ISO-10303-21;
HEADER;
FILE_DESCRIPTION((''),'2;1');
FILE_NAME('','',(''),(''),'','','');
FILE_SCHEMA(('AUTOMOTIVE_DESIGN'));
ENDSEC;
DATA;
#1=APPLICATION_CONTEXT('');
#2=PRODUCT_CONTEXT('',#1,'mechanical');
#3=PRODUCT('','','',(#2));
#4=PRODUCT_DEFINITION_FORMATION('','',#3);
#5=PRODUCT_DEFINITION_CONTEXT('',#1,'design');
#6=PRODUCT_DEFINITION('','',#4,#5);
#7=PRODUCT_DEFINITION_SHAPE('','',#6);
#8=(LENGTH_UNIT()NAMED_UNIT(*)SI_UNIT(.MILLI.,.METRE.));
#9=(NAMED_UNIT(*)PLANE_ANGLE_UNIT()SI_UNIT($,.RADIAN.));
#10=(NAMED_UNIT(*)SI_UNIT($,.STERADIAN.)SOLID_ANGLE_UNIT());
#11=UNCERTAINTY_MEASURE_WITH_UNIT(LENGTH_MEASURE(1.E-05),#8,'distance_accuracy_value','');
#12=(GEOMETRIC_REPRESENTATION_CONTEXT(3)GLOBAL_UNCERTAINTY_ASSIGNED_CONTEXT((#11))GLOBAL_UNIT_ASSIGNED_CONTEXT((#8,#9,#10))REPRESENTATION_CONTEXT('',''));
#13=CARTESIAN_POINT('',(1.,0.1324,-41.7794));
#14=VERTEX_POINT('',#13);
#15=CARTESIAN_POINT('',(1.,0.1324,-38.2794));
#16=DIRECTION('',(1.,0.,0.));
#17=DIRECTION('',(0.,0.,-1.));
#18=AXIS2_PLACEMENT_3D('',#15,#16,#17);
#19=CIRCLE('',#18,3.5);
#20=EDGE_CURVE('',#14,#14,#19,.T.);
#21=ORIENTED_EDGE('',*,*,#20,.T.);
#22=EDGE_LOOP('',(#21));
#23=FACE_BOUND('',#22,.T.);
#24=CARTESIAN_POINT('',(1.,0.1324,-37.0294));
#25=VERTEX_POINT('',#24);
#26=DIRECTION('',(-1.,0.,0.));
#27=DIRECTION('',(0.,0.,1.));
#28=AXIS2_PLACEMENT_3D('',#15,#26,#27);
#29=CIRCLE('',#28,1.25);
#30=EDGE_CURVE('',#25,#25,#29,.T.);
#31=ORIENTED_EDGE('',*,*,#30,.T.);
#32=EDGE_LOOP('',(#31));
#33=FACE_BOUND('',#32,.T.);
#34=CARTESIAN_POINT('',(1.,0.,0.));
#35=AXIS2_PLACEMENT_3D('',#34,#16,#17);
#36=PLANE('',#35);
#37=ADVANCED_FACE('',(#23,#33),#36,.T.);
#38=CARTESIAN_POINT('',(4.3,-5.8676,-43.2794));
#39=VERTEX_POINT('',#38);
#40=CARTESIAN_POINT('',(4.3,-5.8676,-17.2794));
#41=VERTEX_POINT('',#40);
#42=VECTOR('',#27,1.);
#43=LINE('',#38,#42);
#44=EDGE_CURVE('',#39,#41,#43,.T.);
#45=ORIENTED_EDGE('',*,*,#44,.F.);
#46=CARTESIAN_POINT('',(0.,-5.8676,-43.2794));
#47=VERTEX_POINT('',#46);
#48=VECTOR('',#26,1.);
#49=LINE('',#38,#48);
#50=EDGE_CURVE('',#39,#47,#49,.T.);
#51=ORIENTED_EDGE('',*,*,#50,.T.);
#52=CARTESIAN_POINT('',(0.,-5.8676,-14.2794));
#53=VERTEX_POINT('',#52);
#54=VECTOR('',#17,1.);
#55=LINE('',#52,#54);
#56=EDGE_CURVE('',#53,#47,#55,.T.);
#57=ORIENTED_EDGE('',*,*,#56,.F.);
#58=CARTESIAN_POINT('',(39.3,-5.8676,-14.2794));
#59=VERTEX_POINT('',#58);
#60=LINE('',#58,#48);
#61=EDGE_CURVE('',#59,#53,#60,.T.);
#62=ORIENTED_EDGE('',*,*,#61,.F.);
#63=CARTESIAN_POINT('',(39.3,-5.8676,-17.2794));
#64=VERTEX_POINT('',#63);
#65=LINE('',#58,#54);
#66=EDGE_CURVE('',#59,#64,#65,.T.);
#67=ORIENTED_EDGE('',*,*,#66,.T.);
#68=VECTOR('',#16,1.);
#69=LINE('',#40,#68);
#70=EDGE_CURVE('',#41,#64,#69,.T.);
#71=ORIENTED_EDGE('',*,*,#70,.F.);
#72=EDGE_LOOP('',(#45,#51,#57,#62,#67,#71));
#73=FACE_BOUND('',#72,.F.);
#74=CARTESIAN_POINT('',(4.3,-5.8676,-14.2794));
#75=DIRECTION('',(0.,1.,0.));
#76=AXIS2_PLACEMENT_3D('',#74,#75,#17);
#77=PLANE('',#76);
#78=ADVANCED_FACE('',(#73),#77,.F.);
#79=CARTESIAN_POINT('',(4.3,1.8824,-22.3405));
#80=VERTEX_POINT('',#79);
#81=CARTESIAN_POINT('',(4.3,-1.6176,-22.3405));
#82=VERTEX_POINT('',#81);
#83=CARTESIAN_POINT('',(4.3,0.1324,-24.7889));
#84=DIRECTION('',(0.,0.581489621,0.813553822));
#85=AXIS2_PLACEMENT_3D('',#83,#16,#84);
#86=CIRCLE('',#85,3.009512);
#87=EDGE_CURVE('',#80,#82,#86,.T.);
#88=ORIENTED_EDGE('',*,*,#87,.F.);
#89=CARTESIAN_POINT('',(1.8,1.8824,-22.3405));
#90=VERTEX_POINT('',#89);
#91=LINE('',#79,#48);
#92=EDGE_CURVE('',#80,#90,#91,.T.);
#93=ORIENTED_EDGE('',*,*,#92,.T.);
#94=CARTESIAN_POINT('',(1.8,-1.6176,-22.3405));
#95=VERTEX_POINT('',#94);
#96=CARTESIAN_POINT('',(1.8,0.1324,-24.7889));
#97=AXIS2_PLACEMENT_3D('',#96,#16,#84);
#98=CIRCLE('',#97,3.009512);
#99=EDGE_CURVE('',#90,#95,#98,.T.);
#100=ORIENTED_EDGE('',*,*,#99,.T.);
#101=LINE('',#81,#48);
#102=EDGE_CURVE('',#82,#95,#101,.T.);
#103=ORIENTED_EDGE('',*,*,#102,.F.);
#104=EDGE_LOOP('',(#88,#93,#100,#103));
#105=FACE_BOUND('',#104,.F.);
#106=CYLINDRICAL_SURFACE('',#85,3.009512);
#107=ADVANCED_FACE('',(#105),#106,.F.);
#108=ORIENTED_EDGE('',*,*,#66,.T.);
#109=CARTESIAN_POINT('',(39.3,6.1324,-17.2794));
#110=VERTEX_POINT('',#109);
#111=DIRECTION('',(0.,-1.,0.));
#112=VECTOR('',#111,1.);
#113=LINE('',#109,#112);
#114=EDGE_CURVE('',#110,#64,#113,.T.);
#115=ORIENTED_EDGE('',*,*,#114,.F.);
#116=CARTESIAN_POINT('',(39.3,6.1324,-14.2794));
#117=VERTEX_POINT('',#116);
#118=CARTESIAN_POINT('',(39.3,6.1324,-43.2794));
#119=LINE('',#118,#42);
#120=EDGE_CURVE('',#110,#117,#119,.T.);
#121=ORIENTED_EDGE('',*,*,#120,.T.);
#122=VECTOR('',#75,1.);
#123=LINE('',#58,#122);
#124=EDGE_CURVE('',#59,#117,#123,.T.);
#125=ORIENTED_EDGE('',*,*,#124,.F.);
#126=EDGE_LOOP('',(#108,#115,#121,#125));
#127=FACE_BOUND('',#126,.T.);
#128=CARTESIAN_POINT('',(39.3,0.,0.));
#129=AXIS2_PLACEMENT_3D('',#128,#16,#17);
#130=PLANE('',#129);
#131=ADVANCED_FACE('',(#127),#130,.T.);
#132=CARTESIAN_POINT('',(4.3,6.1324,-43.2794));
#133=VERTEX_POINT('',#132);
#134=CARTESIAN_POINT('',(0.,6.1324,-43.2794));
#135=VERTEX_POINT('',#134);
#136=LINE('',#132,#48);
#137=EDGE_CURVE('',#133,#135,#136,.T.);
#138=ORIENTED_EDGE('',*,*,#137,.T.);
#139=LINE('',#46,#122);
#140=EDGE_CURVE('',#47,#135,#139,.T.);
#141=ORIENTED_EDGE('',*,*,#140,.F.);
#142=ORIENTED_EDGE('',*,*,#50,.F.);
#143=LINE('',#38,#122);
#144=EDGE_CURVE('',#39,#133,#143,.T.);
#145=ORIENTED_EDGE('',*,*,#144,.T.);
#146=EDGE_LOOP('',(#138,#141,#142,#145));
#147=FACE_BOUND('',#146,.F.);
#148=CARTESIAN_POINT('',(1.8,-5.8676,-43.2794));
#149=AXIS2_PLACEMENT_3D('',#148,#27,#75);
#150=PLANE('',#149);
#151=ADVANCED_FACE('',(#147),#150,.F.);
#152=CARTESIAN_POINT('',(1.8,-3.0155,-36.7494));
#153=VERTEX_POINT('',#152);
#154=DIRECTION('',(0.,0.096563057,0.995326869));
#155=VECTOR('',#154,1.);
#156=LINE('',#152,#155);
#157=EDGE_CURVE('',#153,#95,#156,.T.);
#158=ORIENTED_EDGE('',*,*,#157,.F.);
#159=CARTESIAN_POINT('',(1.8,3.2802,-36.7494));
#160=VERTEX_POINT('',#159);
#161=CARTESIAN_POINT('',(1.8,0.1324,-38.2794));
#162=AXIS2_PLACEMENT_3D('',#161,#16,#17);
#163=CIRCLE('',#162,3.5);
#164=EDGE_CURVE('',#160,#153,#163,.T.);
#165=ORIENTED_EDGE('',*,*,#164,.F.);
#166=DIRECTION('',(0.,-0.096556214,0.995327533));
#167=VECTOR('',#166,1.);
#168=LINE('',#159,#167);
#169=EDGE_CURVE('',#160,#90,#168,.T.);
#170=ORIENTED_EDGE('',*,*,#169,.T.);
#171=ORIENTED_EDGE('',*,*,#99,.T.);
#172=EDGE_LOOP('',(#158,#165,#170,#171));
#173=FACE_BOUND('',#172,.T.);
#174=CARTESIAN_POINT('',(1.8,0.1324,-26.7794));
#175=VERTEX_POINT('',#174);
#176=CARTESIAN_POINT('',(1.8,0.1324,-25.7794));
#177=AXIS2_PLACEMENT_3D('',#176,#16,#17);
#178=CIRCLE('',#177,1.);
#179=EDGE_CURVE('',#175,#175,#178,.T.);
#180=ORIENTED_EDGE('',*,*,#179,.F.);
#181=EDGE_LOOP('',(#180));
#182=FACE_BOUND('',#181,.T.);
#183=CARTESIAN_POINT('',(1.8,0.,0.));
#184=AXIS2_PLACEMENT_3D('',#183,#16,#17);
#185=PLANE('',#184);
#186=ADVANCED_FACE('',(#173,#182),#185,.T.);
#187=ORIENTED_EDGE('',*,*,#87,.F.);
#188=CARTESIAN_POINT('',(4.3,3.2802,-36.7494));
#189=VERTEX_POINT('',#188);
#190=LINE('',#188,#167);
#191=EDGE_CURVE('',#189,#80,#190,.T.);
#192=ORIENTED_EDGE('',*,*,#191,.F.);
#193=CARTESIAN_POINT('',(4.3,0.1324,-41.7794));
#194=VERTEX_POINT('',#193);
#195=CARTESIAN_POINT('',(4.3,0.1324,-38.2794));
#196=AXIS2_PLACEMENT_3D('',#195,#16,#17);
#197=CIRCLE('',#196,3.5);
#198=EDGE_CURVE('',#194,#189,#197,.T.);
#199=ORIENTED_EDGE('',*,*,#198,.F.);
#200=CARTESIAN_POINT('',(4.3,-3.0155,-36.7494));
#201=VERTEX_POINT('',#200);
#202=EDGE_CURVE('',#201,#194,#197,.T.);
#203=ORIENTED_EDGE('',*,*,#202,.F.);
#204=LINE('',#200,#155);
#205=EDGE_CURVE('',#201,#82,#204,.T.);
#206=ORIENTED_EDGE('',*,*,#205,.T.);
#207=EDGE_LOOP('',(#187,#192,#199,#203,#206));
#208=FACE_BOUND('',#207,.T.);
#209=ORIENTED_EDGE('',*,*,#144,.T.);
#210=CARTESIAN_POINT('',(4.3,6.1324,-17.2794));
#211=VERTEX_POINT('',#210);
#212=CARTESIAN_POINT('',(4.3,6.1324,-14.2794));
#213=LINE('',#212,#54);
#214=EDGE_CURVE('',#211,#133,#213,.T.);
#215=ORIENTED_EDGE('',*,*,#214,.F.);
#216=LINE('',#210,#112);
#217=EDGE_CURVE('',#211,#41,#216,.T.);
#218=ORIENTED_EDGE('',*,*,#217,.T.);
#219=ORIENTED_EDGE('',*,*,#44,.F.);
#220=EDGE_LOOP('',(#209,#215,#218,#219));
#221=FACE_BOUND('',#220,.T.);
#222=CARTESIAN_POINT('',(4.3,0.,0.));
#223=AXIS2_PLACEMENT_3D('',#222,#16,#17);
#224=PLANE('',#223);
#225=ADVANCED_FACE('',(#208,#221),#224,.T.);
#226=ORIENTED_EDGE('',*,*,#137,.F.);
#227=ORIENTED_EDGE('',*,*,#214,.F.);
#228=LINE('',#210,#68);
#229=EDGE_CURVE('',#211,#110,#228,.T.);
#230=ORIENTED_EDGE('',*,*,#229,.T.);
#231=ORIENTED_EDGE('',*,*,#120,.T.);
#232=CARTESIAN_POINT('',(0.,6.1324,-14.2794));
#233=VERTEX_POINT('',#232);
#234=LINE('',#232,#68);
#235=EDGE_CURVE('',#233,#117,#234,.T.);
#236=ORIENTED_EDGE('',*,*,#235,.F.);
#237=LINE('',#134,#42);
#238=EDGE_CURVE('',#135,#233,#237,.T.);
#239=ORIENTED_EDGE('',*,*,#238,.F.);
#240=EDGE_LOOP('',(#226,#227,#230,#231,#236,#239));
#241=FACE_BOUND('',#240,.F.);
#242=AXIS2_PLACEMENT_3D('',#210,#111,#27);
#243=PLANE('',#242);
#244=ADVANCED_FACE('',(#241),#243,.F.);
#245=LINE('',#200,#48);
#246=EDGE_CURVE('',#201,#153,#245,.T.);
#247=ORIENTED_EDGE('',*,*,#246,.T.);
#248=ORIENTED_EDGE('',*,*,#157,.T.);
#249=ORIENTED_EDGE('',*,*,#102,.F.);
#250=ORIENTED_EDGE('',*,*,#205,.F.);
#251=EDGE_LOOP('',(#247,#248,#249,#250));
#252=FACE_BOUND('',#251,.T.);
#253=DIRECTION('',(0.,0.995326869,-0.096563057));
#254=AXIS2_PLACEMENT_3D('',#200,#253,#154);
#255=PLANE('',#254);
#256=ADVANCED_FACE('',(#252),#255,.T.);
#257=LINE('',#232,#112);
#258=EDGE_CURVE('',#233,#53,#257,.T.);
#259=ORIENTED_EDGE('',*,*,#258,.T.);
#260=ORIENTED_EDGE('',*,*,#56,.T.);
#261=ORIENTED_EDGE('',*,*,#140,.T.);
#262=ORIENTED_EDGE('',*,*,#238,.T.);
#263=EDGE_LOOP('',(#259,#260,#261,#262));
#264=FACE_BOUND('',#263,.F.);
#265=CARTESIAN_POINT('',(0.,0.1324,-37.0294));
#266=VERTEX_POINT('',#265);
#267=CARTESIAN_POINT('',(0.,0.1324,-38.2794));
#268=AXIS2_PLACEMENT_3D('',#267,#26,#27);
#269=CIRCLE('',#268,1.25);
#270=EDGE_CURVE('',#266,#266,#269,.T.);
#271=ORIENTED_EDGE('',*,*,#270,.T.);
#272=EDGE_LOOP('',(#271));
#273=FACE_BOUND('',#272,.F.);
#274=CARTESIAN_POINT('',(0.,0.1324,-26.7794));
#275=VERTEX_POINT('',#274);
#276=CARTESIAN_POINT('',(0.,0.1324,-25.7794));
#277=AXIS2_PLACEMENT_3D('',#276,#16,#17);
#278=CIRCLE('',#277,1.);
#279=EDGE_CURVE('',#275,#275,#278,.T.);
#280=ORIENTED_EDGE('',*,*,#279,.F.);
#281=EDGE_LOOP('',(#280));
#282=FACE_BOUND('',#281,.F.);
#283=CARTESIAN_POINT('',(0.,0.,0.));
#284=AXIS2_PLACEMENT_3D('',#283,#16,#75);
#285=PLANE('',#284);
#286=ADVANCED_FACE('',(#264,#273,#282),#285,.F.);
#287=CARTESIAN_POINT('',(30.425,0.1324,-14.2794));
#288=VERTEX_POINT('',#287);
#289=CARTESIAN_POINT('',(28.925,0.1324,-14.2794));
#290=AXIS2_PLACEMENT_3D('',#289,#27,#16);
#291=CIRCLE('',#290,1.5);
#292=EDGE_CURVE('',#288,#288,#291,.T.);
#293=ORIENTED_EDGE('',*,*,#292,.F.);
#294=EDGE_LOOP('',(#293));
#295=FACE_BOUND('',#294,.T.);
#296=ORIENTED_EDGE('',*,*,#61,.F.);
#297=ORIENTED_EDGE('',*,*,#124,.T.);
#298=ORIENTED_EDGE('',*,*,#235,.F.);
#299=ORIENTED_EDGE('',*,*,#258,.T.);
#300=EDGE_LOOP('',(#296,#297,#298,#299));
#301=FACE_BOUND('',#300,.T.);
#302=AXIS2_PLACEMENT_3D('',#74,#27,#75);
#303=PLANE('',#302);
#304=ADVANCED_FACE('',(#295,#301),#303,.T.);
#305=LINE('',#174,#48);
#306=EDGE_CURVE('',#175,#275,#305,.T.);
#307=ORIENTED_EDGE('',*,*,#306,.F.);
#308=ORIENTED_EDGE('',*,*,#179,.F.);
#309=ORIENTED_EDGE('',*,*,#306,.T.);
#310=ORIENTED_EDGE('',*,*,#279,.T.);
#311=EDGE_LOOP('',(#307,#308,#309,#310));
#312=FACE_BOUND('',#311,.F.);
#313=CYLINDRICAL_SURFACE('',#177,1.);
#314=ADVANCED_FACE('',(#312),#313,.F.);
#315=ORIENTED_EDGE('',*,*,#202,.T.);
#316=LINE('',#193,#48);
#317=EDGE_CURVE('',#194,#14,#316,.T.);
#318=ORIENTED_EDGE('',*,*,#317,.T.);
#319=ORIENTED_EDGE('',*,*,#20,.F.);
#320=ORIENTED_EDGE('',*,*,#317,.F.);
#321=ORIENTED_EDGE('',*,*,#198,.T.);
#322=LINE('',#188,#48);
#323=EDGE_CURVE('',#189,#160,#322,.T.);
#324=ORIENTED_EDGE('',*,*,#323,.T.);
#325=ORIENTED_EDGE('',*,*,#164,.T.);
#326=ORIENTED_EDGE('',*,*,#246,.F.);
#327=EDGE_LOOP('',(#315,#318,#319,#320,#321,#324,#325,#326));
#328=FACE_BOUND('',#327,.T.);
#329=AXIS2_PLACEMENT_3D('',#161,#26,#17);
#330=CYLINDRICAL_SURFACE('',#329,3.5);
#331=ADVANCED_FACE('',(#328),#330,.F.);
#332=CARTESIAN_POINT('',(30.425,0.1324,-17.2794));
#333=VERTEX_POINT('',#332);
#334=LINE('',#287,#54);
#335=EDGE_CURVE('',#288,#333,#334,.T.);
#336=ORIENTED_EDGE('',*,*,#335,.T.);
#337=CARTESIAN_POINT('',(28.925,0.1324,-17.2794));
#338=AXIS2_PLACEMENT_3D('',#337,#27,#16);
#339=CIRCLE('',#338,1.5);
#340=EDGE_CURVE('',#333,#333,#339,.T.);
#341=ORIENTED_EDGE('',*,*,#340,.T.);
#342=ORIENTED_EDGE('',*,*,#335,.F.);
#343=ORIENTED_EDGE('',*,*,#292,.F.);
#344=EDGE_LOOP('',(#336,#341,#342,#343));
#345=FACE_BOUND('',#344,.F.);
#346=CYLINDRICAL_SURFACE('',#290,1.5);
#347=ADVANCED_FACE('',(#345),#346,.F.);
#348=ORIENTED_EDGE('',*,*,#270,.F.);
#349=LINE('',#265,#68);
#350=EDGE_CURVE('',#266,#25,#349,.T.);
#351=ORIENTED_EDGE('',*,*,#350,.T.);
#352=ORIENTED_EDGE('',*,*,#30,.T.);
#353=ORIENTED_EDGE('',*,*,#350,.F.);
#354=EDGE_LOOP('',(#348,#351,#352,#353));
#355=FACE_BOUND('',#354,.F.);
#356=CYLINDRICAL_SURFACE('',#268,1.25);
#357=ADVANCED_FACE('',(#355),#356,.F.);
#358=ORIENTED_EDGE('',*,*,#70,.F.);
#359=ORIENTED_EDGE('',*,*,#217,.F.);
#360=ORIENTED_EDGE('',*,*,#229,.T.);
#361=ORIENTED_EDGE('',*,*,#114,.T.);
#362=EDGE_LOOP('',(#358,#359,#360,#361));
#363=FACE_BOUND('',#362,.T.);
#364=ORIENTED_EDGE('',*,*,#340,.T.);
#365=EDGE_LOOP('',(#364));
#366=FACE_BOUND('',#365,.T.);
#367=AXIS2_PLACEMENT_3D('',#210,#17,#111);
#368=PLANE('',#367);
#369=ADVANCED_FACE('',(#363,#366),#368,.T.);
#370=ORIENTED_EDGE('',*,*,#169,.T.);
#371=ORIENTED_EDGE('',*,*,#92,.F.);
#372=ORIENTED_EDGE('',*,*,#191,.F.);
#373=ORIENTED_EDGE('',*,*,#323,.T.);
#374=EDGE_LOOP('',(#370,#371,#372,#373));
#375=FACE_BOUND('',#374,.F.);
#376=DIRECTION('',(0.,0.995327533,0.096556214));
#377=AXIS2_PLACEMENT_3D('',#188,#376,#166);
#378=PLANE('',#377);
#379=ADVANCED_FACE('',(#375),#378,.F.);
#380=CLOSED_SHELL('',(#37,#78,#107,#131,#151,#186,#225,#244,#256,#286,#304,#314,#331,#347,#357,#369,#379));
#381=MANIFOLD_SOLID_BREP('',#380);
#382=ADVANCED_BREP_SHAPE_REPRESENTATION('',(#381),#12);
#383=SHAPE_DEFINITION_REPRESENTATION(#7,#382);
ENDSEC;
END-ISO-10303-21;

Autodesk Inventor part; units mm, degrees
ref_plane "YZ Plane" through (0, 0, 0) normal (1, 0, 0) x (0, 1, 0)
ref_plane "XZ Plane" through (0, 0, 0) normal (0, 1, 0) x (-1, 0, 0)
ref_plane "XY Plane" through (0, 0, 0) normal (0, 0, 1) x (1, 0, 0)
sketch "Sketch1" plane through (0, 0, 0) normal (1, 0, 0) x (0, 1, 0)
  line L0 (6.1324, -14.2794) -> (-5.8676, -14.2794)
  line L1 (-5.8676, -14.2794) -> (-5.8676, -43.2794)
  line L2 (-5.8676, -43.2794) -> (6.1324, -43.2794)
  line L3 (6.1324, -43.2794) -> (6.1324, -14.2794)
  point P0 (0, 0)
  dimension "d0" = 12
  dimension "d1" = 29
extrude "Extrusion1" add sketch "Sketch1" along normal blind 1.8
sketch "Sketch2" plane through (1.8, 0, 0) normal (1, 0, 0) x (0, 0, -1)
  circle A0 centre (38.2794, 0.1324) radius 3.5
  line L0 (43.2794, -5.8676) -> (43.2794, 6.1324) projected
  line L1 (14.2794, -5.8676) -> (43.2794, -5.8676) projected
  point P0 (0, 0)
  dimension "d4" = 7
  dimension "d5" = 5
  dimension "d6" = 6
extrude "Extrusion2" cut sketch "Sketch2" against normal blind 0.8
sketch "Sketch3" plane through (1.8, 0, 0) normal (1, 0, 0) x (0, 0, -1)
  line L0 (14.2794, 6.1324) -> (14.2794, -5.8676) projected
  line L1 (43.2794, -5.8676) -> (43.2794, 6.1324) projected
  line L2 (14.2794, 6.1324) -> (43.2794, 6.1324)
  line L3 (43.2794, 6.1324) -> (43.2794, -5.8676)
  line L4 (43.2794, -5.8676) -> (14.2794, -5.8676)
  line L5 (14.2794, -5.8676) -> (14.2794, 6.1324)
  circle A0 centre (38.2794, 0.1324) radius 3.5 projected
  circle A1 centre (38.2794, 0.1324) radius 3.5
  point P0 (0, 0)
  point P1 (43.2794, 6.1324)
  point P2 (14.2794, -5.8676)
extrude "Extrusion3" add sketch "Sketch3" along normal blind 2.5
sketch "Sketch4" plane through (4.3, 0, 0) normal (1, 0, 0) x (0, 0, -1)
  circle A0 centre (38.2794, 0.1324) radius 3.5 projected
  line L0 (36.7494, 3.2802) -> (22.3405, 1.8824)
  line L1 (36.7494, -3.0155) -> (22.3405, -1.6176)
  arc A1 (22.3405, 1.8824) -> (22.3405, -1.6176) centre (24.7889, 0.1324) ccw
  line L2 (43.2794, 6.1324) -> (14.2794, 6.1324) projected
  point P0 (0, 0)
  point P1 (21.7794, 0.1324)
  dimension "d15" = 1.53
  dimension "d16" = 1.53
  dimension "d17" = 16.5
  dimension "d18" = 3.5
  dimension "d19" = 6
extrude "Extrusion4" cut sketch "Sketch4" against normal blind 2.5 contours A0 L1 A1 L0
sketch "Sketch5" plane through (0, 0, 0) normal (-1, 0, 0) x (0, 0, 1)
  circle A0 centre (-38.2794, 0.1324) radius 3.5 projected
  circle A1 centre (-38.2794, 0.1324) radius 1.25
  point P0 (0, 0)
  dimension "d22" = 2.5
extrude "Extrusion5" cut sketch "Sketch5" against normal blind 2.5 contours A1
sketch "Sketch6" plane through (4.3, 0, 0) normal (1, 0, 0) x (0, 0, -1)
  line L0 (43.2794, 6.1324) -> (14.2794, 6.1324) projected
  line L1 (14.2794, -5.8676) -> (43.2794, -5.8676) projected
  line L2 (14.2794, 6.1324) -> (17.2794, 6.1324)
  line L3 (17.2794, 6.1324) -> (17.2794, -5.8676)
  line L4 (17.2794, -5.8676) -> (14.2794, -5.8676)
  line L5 (14.2794, -5.8676) -> (14.2794, 6.1324)
  point P0 (0, 0)
  point P1 (14.2794, -5.8676)
  point P2 (17.2794, 6.1324)
  dimension "d25" = 3
extrude "Extrusion6" add sketch "Sketch6" along normal blind 35
sketch "Sketch7" plane through (0, -5.8676, -14.2794) normal (0, 0, 1) x (1, 0, 0)
  circle A0 centre (28.925, 6) radius 1.5
  line L0 (39.3, 12) -> (39.3, 0) projected
  line L1 (0, 12) -> (39.3, 12) projected
  line L2 (0, 12) -> (0, 0) projected
  point P0 (0, 5.8676)
  dimension "d28" = 3
  dimension "d30" = 6
  dimension "d38" = 28.925
extrude "Extrusion7" cut sketch "Sketch7" against normal blind 40
sketch "Sketch8" plane through (1.8, 0, 0) normal (1, 0, 0) x (0, 0, -1)
  circle A0 centre (25.7794, 0.1324) radius 1
  circle A1 centre (38.2794, 0.1324) radius 1.25 projected
  point P0 (0, 0)
  dimension "d33" = 2
  dimension "d34" = 12.5
  dimension "d35" = 0
extrude "Extrusion8" cut sketch "Sketch8" against normal blind 10 contours A0
properties part number "18_2"
